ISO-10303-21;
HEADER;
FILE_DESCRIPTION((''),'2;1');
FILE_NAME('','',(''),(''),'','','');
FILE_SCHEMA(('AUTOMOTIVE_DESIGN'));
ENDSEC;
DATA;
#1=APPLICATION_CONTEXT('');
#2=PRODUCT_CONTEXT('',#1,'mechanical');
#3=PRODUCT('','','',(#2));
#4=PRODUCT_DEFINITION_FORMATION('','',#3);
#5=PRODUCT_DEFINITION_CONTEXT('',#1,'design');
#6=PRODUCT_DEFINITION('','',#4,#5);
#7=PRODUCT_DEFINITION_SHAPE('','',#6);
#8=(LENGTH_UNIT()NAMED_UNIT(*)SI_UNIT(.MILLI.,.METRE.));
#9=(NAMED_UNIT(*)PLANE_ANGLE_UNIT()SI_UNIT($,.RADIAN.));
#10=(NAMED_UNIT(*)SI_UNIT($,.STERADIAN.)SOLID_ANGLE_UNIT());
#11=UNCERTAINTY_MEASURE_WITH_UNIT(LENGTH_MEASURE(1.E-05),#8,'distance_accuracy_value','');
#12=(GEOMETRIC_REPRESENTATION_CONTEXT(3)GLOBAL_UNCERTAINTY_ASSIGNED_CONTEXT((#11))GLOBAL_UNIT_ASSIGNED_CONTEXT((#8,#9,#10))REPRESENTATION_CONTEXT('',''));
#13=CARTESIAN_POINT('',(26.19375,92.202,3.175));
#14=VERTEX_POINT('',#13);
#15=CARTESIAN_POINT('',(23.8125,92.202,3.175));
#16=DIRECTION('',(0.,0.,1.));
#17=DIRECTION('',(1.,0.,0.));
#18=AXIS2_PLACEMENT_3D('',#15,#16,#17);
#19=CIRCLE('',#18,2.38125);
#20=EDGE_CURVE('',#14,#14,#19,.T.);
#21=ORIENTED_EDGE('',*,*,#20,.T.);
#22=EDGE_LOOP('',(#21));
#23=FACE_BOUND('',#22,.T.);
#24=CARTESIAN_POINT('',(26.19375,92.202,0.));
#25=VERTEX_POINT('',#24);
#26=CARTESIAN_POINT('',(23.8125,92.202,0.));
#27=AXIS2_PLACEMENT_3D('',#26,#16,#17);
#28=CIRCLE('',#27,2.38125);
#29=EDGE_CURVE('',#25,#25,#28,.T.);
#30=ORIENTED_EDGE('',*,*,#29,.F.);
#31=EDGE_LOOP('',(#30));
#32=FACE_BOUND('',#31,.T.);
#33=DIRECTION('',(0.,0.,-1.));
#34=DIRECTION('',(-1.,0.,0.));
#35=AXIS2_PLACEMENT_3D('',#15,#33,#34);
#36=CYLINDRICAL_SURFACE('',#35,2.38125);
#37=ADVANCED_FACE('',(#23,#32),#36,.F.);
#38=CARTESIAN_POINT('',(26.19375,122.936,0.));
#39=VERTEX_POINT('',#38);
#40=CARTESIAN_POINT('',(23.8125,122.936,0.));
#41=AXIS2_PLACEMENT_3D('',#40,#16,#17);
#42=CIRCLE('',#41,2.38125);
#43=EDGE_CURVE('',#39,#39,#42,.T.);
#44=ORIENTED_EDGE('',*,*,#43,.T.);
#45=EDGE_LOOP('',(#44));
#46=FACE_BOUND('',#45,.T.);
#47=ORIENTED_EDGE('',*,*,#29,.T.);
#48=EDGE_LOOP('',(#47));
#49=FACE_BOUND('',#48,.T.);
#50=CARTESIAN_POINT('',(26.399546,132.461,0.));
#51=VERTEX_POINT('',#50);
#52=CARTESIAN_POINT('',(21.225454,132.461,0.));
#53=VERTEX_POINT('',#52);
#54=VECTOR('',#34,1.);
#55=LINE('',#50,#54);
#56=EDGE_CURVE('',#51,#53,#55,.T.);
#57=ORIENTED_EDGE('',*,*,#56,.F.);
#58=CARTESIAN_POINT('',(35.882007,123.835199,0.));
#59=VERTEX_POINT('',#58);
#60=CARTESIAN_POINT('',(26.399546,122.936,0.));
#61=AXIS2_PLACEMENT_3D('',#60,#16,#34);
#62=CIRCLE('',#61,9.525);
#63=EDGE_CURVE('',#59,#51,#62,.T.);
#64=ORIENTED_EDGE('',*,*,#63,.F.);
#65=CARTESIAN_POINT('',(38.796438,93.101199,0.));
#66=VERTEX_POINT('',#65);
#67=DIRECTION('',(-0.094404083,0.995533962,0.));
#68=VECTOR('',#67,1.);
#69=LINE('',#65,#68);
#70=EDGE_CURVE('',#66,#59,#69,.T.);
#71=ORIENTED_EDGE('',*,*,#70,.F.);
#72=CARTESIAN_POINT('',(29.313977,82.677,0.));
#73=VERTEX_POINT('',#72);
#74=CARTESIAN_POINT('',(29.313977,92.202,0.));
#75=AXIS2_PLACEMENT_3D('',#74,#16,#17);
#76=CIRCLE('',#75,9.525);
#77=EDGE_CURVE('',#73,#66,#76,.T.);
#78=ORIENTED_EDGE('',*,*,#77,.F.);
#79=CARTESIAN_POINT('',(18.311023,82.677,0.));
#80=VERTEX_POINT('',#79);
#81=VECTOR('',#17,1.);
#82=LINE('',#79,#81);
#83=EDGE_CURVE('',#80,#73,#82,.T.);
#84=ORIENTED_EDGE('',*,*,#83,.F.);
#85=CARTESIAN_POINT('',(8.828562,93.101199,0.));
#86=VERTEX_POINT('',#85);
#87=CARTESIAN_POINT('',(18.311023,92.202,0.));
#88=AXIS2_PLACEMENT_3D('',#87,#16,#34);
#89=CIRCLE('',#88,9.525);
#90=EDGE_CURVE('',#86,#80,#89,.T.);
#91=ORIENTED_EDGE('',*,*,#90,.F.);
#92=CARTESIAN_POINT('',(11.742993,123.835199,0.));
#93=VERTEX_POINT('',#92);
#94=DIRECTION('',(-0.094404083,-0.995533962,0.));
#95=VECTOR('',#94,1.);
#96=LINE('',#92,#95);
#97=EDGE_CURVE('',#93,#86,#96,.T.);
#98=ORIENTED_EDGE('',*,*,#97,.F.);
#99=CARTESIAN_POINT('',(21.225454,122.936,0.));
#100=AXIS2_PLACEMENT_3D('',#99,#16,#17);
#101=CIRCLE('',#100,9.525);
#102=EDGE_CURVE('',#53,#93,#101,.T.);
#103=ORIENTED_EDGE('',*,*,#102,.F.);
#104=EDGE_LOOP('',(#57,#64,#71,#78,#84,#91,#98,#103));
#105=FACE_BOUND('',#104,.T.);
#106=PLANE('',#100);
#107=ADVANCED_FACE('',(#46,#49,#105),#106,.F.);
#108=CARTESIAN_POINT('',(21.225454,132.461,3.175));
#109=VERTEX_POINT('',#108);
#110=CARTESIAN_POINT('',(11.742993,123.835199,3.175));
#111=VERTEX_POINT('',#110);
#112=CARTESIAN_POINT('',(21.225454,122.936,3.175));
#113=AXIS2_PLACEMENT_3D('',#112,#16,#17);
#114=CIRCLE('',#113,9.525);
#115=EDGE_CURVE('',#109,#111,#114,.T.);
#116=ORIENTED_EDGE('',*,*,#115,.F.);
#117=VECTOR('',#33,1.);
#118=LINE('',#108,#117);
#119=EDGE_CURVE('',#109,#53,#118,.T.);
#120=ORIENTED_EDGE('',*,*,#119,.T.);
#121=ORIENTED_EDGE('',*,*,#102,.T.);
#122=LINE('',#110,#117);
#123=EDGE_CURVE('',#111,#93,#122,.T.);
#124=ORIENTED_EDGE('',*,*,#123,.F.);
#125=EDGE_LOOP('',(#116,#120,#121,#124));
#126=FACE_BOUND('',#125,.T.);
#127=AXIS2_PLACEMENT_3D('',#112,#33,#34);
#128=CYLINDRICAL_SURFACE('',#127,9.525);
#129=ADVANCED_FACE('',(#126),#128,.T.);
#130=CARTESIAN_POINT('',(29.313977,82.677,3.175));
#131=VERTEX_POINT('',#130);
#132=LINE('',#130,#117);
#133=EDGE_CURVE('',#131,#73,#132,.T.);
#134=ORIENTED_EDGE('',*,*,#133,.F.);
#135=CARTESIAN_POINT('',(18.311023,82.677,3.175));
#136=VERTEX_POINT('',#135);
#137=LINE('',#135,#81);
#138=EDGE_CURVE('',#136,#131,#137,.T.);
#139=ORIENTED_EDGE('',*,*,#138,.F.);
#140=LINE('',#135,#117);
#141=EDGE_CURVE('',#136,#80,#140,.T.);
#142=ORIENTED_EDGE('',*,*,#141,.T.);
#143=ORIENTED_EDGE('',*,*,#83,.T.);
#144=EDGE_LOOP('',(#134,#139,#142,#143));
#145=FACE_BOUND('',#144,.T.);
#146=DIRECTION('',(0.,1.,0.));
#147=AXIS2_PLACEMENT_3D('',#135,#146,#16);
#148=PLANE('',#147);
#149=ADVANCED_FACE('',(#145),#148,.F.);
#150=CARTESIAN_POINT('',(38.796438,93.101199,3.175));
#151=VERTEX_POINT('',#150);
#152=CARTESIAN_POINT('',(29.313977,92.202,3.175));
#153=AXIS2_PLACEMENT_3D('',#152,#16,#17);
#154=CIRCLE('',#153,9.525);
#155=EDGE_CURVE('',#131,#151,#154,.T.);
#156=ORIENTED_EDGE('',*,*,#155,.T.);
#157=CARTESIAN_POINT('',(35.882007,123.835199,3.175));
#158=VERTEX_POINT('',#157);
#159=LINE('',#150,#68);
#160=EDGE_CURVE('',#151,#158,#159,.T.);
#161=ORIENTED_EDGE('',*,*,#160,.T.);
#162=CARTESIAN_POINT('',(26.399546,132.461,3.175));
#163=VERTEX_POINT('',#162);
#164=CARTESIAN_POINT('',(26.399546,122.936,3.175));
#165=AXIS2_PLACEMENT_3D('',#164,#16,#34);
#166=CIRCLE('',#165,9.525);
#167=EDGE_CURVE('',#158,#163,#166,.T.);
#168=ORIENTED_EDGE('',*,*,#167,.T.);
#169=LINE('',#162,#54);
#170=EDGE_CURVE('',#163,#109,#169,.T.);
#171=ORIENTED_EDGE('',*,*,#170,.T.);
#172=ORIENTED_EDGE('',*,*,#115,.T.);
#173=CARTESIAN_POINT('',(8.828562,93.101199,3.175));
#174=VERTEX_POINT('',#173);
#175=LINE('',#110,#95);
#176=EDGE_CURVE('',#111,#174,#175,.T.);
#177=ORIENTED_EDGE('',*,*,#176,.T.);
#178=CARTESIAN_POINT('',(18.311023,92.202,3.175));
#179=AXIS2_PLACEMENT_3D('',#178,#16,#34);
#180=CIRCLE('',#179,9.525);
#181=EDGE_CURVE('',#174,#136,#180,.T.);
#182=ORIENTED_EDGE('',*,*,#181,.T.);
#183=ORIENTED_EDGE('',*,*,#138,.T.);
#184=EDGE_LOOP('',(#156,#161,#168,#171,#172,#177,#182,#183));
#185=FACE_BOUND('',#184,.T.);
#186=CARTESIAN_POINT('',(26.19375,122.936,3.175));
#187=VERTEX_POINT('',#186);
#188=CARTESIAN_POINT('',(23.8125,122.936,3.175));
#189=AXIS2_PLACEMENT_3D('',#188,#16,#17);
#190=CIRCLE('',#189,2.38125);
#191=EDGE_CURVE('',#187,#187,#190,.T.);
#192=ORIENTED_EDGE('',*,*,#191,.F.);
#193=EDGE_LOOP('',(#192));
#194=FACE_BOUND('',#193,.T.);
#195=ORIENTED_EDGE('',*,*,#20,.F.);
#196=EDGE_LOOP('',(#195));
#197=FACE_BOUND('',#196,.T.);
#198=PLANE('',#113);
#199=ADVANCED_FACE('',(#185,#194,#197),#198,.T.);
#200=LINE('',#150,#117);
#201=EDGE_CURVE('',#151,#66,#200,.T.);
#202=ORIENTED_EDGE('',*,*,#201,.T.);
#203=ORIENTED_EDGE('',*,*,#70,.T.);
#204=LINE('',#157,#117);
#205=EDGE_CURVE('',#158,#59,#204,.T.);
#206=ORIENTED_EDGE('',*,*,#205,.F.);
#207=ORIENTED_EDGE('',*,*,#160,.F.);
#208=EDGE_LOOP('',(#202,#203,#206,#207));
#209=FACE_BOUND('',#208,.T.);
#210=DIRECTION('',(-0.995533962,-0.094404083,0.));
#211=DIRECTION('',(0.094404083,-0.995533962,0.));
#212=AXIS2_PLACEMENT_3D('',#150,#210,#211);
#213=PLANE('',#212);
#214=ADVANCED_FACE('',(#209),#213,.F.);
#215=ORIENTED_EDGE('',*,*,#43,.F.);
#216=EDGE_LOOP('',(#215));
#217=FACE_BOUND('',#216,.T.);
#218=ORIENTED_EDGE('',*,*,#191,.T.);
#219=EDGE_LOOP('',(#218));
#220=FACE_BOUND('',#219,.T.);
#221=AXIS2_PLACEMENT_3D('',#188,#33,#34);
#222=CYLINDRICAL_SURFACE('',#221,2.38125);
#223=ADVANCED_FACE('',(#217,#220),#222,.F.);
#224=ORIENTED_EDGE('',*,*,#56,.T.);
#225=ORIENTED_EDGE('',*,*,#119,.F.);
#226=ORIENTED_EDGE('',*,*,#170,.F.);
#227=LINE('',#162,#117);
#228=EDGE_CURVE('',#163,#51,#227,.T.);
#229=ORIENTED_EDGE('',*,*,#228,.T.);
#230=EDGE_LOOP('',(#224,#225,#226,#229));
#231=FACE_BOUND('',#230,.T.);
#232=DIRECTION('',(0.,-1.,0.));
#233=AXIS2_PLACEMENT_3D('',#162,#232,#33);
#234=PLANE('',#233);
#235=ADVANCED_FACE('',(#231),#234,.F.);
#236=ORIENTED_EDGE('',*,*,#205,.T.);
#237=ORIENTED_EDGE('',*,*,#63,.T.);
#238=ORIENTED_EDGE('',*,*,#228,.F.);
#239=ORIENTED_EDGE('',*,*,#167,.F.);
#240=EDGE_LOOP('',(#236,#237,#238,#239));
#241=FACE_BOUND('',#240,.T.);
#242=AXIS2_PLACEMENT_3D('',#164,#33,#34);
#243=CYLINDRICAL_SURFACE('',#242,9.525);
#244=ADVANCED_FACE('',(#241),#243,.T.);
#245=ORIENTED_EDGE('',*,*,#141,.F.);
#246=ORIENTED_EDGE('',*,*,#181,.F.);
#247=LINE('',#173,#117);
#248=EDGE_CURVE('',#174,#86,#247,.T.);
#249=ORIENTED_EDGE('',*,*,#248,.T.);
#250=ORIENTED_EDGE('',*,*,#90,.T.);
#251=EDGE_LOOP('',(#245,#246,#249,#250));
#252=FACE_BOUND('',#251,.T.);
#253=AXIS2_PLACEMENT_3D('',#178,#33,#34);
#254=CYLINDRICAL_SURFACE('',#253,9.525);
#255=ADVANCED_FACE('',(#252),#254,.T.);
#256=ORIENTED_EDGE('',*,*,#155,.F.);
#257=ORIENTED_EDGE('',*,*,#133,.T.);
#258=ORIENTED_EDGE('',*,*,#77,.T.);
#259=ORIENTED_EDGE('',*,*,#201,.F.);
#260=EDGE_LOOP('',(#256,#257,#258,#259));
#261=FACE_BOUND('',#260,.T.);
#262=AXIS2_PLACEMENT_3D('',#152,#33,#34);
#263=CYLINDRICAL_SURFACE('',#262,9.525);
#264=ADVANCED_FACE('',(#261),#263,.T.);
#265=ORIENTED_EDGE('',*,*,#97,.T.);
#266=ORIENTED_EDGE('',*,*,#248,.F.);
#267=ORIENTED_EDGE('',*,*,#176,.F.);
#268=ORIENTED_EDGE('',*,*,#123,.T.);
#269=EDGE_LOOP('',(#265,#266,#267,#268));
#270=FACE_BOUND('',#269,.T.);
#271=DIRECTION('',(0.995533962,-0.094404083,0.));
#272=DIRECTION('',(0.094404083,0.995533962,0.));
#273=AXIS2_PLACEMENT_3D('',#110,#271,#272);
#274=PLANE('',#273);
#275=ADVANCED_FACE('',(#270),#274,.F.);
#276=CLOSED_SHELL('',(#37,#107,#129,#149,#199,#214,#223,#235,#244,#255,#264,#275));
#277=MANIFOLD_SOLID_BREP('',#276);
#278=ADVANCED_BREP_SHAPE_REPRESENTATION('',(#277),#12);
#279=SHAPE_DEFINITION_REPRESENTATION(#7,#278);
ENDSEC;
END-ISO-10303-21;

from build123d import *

# Parameters (mm, degrees)
SKETCH1_R           = 2.38125
BOSS_EXTRUDE1_DEPTH = 3.175


with BuildPart() as part:
    # Sketch1 → Boss-Extrude1 (new body)
    with BuildSketch(Plane.XY):
        with BuildLine():
            Line((38.796438037, 93.101198887), (35.882007002, 123.835198887))
            ThreePointArc((35.882007002, 123.835198887), (32.808943632, 129.981938348), (26.399546016, 132.461))
            Line((26.399546016, 132.461), (21.225453984, 132.461))
            ThreePointArc((21.225453984, 132.461), (14.816056368, 129.981938348), (11.742992998, 123.835198887))
            Line((11.742992998, 123.835198887), (8.828561963, 93.101198887))
            ThreePointArc((8.828561963, 93.101198887), (11.265084602, 85.792602384), (18.31102295, 82.677))
            Line((18.31102295, 82.677), (29.31397705, 82.677))
            ThreePointArc((29.31397705, 82.677), (36.359915398, 85.792602384), (38.796438037, 93.101198887))
        make_face()
        with Locations((23.8125, 92.202)):
            Circle(SKETCH1_R, mode=Mode.SUBTRACT)
        with Locations((23.8125, 122.936)):
            Circle(SKETCH1_R, mode=Mode.SUBTRACT)
    extrude(amount=BOSS_EXTRUDE1_DEPTH)


solid = part.part
